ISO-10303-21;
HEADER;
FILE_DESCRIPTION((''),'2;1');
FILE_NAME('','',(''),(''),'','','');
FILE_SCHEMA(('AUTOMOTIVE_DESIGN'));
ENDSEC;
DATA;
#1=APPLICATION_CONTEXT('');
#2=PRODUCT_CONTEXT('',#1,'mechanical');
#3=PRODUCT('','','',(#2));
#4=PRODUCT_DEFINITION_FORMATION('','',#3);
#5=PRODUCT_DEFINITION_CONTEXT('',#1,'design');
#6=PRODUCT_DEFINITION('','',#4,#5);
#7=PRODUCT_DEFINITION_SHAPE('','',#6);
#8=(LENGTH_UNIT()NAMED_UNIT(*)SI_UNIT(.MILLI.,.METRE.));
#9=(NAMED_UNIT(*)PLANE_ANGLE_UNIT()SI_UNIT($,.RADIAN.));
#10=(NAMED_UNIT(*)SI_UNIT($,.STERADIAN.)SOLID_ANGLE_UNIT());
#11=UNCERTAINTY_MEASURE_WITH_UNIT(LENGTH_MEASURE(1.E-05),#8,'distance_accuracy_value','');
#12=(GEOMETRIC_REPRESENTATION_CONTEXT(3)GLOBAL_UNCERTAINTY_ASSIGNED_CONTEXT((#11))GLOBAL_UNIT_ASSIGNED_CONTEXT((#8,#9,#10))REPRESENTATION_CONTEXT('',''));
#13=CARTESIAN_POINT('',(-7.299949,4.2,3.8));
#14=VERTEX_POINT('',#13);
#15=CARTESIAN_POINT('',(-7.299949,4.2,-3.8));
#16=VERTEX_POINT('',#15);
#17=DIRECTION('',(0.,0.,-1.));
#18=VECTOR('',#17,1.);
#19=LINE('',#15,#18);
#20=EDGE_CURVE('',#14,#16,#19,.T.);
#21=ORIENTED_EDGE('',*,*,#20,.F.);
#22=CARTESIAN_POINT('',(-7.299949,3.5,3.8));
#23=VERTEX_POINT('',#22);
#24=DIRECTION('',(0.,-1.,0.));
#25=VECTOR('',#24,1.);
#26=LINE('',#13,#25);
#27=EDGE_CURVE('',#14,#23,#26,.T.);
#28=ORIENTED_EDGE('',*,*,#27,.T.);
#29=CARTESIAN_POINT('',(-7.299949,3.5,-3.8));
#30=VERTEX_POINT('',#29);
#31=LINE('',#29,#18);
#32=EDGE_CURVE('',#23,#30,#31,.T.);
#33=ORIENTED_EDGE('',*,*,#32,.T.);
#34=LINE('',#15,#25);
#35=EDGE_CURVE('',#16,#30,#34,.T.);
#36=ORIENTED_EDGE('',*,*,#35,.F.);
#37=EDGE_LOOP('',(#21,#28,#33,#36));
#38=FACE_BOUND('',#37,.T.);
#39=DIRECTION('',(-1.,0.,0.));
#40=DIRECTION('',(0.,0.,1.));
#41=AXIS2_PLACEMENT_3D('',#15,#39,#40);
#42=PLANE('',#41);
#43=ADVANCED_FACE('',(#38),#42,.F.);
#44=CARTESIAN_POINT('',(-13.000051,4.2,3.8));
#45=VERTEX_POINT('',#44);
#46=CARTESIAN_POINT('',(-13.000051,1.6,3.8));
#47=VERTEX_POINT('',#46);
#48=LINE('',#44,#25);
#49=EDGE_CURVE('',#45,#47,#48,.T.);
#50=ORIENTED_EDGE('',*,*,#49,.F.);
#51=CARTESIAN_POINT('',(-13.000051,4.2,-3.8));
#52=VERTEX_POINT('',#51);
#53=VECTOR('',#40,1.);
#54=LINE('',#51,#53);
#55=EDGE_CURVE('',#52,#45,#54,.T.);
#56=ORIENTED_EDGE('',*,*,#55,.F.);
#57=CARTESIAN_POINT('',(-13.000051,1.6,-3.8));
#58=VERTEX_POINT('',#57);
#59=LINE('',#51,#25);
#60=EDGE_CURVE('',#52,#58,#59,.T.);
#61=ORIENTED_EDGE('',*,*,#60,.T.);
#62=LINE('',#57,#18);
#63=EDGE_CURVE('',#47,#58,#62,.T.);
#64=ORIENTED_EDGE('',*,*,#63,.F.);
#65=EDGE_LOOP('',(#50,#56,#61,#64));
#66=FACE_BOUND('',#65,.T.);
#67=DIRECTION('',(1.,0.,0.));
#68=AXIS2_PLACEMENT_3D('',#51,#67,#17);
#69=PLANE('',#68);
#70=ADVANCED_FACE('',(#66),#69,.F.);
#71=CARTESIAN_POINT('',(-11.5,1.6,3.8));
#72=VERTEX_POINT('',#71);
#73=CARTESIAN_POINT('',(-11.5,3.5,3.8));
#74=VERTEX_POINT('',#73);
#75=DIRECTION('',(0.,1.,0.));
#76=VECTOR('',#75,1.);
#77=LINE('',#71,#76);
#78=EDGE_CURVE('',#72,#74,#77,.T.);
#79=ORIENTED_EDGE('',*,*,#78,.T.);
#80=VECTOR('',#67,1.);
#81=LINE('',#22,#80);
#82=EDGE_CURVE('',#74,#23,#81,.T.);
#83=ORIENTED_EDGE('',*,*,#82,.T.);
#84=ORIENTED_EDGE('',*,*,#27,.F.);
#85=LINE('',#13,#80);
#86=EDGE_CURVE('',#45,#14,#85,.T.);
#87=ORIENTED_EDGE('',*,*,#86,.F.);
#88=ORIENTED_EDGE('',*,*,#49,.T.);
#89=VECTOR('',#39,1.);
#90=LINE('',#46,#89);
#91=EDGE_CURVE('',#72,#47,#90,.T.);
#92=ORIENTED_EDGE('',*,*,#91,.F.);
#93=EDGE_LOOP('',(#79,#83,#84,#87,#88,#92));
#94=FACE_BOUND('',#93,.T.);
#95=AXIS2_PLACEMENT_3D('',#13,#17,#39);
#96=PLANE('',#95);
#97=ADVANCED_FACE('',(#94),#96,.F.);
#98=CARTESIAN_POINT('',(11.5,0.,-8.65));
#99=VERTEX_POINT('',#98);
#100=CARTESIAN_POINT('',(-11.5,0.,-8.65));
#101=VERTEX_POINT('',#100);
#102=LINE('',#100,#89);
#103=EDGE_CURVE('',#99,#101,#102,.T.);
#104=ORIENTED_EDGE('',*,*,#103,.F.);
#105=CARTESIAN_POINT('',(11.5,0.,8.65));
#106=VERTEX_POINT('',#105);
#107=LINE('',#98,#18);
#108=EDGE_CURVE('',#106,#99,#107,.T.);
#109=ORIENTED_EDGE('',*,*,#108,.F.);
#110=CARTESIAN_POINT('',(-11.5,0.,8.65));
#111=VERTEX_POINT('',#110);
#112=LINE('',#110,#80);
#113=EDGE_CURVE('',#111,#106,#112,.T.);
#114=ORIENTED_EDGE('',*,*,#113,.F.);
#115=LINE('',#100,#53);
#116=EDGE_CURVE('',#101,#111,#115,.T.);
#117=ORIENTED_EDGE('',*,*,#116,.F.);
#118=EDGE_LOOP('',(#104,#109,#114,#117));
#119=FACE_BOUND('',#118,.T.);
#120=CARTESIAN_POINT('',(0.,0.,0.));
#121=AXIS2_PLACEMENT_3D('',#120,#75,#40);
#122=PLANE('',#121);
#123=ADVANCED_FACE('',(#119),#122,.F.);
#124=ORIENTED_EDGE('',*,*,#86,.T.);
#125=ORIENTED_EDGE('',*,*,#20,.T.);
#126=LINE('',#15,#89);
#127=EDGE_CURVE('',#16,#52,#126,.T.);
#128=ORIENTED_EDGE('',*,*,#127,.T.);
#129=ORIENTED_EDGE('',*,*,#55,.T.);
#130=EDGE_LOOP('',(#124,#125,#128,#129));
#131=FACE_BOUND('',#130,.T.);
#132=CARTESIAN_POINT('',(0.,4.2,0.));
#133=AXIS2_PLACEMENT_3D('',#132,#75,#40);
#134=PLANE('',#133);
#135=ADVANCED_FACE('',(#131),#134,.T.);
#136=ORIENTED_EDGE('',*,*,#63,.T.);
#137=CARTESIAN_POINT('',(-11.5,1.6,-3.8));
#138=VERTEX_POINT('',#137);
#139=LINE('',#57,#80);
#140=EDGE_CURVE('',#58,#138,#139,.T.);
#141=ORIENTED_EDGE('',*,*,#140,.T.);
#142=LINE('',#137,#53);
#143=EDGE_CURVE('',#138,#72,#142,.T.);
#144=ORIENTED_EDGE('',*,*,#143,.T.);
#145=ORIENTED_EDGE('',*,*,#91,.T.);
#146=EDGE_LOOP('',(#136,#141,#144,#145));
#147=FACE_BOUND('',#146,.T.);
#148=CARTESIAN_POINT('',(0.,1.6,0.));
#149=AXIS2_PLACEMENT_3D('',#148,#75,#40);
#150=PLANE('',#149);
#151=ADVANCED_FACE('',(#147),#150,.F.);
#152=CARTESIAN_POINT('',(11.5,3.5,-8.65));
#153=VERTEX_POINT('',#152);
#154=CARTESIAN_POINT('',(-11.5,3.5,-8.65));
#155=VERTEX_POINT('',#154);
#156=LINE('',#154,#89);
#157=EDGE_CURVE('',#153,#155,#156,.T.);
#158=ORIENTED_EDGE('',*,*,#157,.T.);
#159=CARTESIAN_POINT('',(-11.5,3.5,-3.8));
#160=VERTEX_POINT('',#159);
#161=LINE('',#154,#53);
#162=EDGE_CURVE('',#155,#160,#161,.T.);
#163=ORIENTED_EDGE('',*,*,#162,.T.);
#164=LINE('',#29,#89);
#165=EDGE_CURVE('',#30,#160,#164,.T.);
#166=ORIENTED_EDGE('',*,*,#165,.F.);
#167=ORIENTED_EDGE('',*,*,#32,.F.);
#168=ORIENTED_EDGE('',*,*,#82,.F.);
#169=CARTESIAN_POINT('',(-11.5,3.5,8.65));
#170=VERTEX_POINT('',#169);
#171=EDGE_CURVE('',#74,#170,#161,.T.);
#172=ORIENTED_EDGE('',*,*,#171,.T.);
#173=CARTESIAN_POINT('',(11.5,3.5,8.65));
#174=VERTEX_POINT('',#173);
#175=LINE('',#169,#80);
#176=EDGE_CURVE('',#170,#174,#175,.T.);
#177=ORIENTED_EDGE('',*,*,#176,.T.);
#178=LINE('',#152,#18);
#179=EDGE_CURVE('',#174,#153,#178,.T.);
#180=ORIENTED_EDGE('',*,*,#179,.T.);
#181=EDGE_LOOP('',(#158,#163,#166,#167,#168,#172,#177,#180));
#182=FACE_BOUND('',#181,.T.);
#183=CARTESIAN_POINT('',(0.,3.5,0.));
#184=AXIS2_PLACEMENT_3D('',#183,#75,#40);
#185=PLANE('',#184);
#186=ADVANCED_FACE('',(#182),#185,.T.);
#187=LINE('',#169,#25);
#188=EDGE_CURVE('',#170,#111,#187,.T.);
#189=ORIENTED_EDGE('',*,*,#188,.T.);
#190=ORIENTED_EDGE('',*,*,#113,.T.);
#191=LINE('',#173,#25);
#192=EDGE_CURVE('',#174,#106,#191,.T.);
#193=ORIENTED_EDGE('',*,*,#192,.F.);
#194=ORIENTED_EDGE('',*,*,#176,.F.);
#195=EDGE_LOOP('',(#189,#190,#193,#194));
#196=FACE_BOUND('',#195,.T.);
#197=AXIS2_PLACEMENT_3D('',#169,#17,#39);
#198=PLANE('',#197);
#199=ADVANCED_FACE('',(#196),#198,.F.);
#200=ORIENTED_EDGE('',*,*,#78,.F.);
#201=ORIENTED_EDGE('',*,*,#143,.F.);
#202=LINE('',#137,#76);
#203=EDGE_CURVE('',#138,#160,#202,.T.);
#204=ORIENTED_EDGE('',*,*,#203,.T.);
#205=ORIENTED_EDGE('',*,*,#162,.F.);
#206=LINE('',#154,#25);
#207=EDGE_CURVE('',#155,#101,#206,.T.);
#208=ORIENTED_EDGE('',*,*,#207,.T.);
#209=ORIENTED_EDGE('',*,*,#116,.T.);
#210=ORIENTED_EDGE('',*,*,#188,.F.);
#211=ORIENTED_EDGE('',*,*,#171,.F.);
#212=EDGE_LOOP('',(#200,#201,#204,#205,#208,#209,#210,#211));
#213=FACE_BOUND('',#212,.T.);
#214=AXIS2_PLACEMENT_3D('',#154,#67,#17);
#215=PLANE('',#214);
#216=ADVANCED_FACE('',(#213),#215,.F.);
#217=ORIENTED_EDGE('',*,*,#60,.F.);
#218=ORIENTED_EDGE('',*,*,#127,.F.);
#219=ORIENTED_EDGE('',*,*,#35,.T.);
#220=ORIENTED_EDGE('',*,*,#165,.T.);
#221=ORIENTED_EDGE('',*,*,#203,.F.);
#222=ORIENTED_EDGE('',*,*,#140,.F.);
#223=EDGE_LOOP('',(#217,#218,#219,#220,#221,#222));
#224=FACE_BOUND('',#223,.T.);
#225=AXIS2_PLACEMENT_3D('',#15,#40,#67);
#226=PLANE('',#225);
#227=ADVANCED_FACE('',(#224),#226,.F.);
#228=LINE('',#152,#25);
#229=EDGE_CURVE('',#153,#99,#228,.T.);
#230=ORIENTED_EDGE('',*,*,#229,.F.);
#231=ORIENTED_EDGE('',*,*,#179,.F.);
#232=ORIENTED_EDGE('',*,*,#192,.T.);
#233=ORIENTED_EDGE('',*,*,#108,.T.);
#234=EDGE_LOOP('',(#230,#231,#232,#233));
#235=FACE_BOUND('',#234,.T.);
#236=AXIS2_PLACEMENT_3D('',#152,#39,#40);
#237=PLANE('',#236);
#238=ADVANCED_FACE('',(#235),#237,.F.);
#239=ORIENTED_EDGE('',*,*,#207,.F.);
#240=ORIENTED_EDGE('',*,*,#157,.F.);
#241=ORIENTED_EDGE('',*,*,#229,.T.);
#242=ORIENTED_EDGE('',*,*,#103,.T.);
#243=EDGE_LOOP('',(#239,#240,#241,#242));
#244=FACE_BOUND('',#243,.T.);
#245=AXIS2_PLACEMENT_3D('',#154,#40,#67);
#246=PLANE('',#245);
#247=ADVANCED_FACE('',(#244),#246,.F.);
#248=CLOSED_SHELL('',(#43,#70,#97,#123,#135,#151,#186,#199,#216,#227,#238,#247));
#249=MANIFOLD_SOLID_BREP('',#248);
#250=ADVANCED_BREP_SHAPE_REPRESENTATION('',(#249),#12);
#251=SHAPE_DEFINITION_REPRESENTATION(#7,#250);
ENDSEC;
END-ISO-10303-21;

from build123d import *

# Parameters (mm, degrees)
SKETCH_1_W      = 23
SKETCH_1_H      = 17.3
EXTRUDE_1_DEPTH = 3.5
SKETCH_2_W      = 5.700101794
SKETCH_2_H      = 7.6
EXTRUDE_2_DEPTH = 0.7
SKETCH_3_W      = 1.500050897
SKETCH_3_H      = 7.6
EXTRUDE_3_DEPTH = 1.9


with BuildPart() as part:
    # Эскиз1 → Бобышка-Вытянуть1 (new body)
    with BuildSketch(Plane(origin=(0, 0, 0), x_dir=(1, 0, 0), z_dir=(0, 1, 0))):
        Rectangle(SKETCH_1_W, SKETCH_1_H)
    extrude(amount=EXTRUDE_1_DEPTH)

    # Эскиз2 → Бобышка-Вытянуть2 (add)
    with BuildSketch(Plane(origin=(0, 3.5, 0), x_dir=(1, 0, 0), z_dir=(0, 1, 0))):
        with Locations((-10.15, 0)):
            Rectangle(SKETCH_2_W, SKETCH_2_H)
    extrude(amount=EXTRUDE_2_DEPTH)

    # Эскиз3 → Бобышка-Вытянуть3 (add)
    with BuildSketch(Plane.XZ.offset(-3.5)):
        with Locations((-12.250025449, 0)):
            Rectangle(SKETCH_3_W, SKETCH_3_H)
    extrude(amount=EXTRUDE_3_DEPTH)


solid = part.part
